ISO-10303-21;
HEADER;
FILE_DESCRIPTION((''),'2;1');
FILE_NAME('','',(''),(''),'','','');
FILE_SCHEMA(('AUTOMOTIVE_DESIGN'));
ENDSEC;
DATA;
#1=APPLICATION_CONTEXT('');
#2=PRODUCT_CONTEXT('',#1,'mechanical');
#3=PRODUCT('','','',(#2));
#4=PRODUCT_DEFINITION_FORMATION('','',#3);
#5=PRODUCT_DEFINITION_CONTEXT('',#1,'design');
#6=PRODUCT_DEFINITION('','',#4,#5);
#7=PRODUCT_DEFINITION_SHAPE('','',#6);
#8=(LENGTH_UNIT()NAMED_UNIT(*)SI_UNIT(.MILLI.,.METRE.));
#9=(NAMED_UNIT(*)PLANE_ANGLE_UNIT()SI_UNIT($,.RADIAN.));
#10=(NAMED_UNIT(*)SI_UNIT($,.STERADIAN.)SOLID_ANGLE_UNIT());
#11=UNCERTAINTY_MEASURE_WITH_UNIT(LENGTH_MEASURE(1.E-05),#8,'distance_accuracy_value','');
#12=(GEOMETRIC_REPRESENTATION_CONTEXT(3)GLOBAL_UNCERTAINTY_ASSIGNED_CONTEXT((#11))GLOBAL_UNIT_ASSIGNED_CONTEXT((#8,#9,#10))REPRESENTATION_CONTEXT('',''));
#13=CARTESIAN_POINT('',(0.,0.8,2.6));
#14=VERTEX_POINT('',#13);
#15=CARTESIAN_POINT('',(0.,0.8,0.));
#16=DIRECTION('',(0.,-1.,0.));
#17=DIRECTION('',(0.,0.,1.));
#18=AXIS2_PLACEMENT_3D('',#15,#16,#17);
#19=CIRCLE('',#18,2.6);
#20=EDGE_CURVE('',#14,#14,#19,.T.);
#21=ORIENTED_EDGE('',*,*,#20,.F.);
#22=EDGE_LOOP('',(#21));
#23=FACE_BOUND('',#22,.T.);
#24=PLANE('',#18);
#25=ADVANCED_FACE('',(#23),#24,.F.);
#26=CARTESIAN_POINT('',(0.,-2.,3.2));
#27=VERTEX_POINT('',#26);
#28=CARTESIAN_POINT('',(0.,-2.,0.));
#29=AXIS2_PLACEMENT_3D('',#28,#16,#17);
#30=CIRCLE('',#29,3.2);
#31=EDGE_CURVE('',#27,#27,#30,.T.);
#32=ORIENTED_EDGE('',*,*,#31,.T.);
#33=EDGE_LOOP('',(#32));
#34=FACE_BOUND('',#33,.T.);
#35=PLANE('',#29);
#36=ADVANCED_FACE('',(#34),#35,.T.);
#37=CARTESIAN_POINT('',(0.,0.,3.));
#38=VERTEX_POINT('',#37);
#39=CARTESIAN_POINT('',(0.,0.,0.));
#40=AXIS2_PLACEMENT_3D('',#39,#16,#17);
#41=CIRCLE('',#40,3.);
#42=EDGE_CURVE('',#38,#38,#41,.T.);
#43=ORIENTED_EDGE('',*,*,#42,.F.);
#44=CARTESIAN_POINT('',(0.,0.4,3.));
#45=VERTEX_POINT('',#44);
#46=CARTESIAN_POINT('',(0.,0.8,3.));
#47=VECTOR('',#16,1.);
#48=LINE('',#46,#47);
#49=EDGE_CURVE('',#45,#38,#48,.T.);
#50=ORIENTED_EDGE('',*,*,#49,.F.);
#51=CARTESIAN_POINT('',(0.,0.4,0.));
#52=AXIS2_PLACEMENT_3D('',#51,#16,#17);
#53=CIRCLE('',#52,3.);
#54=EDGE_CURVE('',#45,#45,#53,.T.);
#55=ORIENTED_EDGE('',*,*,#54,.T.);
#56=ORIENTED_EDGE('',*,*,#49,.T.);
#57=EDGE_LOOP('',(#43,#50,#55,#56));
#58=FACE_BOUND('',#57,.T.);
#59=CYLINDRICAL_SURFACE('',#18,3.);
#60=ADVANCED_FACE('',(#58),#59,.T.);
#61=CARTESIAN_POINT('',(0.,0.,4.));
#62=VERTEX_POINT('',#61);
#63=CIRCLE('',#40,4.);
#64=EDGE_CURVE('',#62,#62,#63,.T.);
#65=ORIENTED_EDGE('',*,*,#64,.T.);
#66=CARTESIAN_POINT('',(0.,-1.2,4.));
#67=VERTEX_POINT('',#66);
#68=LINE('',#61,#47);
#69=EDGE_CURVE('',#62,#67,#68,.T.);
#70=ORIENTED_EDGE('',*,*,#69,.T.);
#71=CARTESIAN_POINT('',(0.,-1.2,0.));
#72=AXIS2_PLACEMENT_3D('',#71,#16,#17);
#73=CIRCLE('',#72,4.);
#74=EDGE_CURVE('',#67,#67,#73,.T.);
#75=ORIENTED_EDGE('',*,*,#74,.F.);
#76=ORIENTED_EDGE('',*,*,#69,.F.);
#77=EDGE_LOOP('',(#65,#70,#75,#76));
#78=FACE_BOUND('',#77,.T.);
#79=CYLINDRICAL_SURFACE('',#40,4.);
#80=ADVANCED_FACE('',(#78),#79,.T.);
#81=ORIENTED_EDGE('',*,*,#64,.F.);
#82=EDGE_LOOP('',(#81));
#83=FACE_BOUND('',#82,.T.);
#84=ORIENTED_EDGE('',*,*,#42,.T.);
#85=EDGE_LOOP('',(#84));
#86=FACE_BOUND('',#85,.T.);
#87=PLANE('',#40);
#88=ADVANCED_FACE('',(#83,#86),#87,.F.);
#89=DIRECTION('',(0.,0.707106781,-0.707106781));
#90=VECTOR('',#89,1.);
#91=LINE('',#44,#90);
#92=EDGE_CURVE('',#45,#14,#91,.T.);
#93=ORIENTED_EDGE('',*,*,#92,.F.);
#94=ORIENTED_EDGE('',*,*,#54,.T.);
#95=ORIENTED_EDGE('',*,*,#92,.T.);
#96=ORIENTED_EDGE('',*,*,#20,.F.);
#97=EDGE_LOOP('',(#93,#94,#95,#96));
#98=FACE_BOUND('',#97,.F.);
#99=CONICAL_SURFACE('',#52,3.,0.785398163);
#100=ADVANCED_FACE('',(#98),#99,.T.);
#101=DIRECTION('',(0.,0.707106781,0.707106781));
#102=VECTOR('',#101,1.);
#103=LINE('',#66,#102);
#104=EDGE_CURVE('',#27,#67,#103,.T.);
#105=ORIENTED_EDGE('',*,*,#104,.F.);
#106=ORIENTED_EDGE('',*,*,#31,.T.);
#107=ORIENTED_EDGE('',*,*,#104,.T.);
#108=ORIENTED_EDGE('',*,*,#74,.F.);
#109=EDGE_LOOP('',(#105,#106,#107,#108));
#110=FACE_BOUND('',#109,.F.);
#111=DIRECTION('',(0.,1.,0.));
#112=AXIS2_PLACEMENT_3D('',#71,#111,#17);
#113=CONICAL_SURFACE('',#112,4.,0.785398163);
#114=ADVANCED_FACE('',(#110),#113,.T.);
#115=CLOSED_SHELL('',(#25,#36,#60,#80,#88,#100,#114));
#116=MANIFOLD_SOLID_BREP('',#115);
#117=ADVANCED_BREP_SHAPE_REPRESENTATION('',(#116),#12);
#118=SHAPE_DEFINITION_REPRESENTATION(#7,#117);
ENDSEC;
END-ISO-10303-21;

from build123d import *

# Parameters (mm, degrees)
F2_SIZE = 0.8
F3_SIZE = 0.4


with BuildPart() as f1:
    # F0 (on Right) → F1 (revolve)
    with BuildSketch(Plane.YZ):
        Polygon((-2, 4), (-2, 0), (0.8, 0), (0.8, 3), (0, 3), (0, 4), align=None)
    revolve(axis=Axis((0, -0.6, 0), (0, -1, 0)))

    # F2
    f2_edges = [f1.edges().sort_by_distance(p)[0] for p in [
        (0, -2, -4),
    ]]
    chamfer(f2_edges, length=F2_SIZE)

    # F3
    f3_edges = [f1.edges().sort_by_distance(p)[0] for p in [
        (0, 0.8, -3),
    ]]
    chamfer(f3_edges, length=F3_SIZE)


solid = f1.part
